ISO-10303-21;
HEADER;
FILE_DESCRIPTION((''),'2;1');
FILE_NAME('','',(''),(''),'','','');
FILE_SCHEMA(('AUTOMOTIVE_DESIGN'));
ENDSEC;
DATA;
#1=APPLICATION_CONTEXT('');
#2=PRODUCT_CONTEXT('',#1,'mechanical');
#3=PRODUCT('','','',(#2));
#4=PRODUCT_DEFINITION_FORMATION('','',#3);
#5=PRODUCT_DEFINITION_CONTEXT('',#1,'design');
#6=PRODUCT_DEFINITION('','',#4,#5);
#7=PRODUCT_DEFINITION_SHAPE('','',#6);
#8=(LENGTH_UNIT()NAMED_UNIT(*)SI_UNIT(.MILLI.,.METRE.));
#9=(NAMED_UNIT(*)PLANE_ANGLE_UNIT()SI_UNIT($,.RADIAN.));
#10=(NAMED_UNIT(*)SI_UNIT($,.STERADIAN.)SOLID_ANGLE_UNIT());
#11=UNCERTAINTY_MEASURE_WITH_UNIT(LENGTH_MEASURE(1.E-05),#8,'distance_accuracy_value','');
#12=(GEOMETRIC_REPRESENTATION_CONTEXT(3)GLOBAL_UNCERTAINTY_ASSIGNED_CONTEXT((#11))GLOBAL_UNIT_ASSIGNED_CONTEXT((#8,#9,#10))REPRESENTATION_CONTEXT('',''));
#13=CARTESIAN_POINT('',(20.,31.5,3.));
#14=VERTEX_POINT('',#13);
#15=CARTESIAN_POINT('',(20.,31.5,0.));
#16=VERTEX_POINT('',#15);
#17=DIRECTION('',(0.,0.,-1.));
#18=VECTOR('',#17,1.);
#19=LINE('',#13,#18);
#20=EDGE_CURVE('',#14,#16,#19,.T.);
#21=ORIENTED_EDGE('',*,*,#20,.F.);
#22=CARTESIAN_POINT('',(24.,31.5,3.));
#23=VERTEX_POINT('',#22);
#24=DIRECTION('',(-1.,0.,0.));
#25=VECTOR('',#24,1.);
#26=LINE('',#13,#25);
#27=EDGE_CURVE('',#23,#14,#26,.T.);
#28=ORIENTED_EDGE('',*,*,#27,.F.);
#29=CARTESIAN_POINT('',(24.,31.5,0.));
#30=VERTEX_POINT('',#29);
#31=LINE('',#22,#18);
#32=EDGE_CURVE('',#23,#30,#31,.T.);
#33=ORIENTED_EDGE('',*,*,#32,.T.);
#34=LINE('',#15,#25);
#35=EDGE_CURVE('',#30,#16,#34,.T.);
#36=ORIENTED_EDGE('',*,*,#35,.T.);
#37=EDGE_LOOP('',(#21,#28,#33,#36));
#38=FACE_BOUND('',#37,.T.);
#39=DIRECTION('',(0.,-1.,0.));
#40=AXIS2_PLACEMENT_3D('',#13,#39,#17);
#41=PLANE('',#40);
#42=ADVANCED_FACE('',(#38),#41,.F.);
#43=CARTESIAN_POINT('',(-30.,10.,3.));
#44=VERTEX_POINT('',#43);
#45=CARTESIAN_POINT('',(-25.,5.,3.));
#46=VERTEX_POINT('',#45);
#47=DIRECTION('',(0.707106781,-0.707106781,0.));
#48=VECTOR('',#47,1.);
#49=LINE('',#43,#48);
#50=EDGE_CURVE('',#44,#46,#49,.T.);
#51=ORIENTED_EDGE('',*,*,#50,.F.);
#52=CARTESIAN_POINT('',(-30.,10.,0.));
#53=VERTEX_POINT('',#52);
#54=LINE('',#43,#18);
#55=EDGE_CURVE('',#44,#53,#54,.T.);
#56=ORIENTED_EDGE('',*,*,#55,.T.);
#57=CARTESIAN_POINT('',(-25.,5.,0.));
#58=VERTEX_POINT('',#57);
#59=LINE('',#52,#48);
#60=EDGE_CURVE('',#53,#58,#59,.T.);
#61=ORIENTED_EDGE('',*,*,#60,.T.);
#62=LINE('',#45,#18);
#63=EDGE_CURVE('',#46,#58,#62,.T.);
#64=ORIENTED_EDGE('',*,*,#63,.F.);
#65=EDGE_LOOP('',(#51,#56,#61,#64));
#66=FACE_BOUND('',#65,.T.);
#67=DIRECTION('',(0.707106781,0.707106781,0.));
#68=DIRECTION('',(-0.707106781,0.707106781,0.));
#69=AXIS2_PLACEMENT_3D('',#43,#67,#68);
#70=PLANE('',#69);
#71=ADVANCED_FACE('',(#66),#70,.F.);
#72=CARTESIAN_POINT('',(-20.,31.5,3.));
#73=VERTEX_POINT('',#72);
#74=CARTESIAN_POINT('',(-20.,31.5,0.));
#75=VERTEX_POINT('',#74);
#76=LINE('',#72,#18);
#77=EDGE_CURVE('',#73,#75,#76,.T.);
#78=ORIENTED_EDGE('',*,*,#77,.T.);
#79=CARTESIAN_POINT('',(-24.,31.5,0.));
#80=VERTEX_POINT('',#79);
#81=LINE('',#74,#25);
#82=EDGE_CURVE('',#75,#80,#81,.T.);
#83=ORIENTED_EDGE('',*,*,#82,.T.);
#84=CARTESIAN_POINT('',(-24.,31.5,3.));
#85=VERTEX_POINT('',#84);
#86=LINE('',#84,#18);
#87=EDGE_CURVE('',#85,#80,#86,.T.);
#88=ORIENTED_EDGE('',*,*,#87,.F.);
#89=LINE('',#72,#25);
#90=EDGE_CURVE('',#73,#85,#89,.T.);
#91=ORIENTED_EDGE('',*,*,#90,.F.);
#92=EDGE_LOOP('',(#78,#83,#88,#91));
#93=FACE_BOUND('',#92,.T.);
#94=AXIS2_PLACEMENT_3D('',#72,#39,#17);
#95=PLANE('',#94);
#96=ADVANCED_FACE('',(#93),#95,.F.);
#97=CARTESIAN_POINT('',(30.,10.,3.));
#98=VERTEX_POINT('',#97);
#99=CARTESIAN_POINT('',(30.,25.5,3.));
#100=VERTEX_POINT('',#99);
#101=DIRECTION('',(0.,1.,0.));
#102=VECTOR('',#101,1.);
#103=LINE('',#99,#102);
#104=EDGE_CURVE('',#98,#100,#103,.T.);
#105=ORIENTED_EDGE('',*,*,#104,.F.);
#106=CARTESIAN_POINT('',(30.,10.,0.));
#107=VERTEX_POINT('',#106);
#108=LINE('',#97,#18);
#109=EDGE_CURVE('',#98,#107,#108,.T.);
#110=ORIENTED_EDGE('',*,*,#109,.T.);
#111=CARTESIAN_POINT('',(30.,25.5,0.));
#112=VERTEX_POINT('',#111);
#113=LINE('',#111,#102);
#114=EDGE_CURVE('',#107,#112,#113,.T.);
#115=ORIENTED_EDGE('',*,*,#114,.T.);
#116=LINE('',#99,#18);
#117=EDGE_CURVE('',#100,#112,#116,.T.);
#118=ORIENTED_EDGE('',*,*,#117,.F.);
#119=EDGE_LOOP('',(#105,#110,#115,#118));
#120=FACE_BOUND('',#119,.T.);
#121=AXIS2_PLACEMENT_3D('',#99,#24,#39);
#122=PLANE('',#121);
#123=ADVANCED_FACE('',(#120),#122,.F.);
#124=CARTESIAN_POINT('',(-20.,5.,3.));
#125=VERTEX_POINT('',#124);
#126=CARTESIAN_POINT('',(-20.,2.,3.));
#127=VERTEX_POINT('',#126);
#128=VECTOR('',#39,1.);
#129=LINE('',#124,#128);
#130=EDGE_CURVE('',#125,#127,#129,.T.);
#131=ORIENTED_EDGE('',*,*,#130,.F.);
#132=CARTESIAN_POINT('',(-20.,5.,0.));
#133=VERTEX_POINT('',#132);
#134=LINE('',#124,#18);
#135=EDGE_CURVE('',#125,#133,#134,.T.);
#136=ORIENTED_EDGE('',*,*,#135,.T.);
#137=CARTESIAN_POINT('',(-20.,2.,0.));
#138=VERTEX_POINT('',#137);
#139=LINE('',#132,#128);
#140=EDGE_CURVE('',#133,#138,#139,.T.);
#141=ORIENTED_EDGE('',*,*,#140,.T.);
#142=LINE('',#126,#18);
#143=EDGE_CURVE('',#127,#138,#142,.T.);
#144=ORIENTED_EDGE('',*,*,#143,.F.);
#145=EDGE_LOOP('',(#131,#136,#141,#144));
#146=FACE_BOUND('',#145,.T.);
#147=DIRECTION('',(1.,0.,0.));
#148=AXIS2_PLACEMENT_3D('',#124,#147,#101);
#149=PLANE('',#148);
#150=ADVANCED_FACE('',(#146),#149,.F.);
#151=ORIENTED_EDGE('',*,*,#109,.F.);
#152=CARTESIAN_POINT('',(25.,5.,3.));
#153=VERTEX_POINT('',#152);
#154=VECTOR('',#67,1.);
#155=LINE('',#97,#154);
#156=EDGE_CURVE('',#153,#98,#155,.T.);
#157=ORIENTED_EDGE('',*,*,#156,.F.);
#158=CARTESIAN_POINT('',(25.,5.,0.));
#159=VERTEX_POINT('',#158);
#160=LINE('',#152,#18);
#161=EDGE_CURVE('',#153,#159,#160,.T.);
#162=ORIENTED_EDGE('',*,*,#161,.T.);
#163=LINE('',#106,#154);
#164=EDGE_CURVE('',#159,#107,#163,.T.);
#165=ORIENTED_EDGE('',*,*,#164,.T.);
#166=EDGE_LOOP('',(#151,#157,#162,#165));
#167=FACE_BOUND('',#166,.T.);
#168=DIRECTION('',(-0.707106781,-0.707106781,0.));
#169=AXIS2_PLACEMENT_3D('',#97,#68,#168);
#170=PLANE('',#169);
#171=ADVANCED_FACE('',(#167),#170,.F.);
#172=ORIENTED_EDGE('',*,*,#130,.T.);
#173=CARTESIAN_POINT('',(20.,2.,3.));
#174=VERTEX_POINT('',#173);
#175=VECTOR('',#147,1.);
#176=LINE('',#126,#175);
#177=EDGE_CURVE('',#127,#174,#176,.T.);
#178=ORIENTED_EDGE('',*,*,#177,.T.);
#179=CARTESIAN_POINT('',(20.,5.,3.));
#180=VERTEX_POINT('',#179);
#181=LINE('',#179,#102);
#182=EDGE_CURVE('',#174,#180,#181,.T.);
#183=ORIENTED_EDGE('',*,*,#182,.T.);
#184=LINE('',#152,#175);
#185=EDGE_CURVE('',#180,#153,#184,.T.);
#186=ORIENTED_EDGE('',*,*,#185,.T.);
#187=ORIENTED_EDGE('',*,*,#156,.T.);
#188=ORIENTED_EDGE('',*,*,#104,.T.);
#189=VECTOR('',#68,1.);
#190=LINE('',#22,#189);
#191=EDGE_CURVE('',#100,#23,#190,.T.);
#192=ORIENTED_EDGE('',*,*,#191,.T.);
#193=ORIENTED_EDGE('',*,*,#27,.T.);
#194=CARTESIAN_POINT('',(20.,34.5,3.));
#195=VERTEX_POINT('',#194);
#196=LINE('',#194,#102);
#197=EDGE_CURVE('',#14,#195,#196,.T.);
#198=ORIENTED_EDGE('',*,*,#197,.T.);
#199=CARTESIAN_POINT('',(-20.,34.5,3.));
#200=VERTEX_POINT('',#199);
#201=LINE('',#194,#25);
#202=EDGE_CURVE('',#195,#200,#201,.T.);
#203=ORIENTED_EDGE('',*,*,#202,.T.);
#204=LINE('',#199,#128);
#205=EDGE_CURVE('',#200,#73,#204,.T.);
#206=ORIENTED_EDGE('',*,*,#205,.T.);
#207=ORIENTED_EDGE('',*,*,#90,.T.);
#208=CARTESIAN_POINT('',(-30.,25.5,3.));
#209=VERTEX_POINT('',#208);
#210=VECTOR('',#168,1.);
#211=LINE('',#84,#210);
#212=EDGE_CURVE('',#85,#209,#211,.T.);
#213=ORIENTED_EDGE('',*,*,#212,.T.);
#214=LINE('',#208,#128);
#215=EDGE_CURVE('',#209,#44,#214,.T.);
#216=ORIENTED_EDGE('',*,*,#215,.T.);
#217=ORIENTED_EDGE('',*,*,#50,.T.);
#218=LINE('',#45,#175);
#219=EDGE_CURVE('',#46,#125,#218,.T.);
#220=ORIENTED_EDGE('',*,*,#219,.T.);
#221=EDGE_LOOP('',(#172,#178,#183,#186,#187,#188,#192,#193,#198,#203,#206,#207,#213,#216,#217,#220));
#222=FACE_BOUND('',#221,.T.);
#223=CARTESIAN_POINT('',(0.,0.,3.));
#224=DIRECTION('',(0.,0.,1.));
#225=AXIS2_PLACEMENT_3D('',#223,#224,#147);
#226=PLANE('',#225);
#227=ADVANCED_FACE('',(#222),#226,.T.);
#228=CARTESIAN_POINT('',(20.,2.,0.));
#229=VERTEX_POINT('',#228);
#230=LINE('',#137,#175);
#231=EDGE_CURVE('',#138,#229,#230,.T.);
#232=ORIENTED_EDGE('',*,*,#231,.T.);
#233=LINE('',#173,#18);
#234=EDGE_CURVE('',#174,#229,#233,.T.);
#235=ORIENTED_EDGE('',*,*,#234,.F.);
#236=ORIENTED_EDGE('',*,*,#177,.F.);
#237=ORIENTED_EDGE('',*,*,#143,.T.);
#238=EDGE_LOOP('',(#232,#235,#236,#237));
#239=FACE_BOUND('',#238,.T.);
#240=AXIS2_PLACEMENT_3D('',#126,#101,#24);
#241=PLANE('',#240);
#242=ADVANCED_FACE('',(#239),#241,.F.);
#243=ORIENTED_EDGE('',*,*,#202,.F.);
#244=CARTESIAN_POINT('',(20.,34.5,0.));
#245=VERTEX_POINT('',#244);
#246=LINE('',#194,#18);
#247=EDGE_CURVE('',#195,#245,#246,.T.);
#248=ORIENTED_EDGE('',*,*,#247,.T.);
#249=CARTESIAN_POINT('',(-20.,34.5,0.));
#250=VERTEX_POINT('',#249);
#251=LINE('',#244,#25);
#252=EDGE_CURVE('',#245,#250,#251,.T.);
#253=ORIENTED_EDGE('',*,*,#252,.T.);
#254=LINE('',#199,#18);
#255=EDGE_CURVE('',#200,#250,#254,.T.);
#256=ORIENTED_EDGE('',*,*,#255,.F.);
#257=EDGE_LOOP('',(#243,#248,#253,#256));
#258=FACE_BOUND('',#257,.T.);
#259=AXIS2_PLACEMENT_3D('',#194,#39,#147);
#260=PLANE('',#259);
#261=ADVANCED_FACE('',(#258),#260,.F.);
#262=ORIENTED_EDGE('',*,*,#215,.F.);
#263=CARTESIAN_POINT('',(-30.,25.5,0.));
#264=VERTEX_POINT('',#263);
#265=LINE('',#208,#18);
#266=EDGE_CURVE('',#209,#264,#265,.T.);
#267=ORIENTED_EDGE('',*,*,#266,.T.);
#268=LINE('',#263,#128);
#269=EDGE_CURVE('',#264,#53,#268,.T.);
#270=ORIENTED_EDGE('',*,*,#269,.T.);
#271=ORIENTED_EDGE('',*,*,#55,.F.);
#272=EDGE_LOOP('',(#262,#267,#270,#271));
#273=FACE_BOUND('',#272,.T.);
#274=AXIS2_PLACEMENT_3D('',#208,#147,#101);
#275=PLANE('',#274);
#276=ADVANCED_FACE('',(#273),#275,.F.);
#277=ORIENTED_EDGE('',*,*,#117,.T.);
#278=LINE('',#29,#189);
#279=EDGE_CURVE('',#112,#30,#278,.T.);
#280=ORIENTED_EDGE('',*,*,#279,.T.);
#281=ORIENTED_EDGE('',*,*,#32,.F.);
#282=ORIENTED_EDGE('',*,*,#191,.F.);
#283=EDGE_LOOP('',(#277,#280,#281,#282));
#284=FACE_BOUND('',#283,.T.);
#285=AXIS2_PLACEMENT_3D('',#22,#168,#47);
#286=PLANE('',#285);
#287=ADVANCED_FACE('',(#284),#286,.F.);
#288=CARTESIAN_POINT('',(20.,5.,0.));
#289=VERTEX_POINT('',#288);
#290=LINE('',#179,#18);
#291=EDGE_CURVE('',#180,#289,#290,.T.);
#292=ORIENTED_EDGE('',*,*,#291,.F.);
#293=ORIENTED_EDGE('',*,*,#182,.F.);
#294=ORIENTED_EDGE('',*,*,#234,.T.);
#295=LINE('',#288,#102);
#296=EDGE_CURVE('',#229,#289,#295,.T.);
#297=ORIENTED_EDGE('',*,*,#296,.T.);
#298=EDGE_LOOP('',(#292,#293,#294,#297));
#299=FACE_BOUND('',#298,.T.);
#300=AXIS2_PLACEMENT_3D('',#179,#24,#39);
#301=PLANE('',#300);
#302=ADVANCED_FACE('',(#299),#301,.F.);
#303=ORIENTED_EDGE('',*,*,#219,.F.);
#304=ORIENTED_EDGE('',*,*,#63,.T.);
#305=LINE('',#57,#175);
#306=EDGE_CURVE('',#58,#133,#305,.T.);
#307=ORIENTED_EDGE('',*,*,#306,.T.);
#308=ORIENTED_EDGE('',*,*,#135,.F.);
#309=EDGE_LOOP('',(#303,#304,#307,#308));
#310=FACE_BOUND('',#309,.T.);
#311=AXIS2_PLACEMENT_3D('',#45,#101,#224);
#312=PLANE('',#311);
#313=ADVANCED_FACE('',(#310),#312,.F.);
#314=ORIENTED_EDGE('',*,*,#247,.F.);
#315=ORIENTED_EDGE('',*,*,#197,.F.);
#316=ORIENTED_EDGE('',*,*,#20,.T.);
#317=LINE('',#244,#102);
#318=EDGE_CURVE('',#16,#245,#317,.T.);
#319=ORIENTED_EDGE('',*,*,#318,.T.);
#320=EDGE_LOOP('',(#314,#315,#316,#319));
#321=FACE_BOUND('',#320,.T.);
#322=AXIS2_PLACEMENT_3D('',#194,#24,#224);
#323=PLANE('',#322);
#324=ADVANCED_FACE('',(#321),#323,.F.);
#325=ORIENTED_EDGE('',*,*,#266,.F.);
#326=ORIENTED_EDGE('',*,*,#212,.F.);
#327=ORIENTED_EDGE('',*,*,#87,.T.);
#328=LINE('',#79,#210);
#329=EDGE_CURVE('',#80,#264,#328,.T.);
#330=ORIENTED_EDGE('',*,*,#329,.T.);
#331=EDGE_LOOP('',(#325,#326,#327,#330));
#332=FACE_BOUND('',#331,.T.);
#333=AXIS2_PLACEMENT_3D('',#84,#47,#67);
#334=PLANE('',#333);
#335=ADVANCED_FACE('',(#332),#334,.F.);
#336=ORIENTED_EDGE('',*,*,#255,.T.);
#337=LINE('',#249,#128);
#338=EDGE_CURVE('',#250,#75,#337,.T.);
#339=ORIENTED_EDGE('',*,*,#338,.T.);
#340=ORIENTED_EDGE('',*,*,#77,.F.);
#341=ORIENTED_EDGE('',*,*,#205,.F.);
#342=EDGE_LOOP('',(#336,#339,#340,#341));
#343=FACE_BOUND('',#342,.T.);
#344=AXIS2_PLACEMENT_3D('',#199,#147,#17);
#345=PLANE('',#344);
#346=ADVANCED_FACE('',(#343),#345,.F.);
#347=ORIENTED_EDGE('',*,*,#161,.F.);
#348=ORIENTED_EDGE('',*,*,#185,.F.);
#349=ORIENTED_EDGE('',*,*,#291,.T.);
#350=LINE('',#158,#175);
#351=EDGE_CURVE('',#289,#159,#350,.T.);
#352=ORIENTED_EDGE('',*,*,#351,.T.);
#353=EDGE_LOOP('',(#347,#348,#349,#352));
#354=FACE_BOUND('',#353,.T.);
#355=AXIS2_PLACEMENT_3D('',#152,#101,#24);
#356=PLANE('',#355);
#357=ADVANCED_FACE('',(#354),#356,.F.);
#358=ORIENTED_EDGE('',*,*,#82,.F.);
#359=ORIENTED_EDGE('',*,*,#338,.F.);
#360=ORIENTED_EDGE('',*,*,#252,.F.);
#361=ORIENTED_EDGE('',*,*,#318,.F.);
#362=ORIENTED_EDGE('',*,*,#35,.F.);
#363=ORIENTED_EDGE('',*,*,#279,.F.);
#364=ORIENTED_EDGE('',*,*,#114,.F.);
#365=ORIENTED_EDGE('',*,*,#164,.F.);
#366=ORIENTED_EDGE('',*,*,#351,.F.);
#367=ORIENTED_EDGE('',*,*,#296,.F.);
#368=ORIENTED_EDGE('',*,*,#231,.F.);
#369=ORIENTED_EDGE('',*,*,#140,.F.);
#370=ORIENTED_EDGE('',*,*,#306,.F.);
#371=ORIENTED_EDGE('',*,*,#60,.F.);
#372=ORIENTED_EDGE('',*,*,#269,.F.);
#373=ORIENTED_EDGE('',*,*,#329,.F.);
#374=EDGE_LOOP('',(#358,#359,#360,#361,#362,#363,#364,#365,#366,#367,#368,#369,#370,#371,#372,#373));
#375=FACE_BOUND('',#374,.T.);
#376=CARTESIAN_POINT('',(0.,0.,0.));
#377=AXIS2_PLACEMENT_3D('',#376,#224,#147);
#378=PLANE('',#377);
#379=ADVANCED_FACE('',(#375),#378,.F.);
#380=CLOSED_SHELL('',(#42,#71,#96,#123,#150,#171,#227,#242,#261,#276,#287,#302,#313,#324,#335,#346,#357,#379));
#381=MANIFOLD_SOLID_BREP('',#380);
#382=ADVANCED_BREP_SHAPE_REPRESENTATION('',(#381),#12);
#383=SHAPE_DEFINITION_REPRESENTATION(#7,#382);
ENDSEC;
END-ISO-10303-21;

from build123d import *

# Parameters (mm, degrees)
BOSS_EXTRUDE2_DEPTH = 3


with BuildPart() as part:
    # Sketch1 → Boss-Extrude2 (new body)
    with BuildSketch(Plane.XY):
        Polygon((20, 34.5), (-20, 34.5), (-20, 31.5), (-24, 31.5), (-30, 25.5), (-30, 10), (-25, 5), (-20, 5), (-20, 2), (20, 2), (20, 5), (25, 5), (30, 10), (30, 25.5), (24, 31.5), (20, 31.5), align=None)
    extrude(amount=BOSS_EXTRUDE2_DEPTH)


solid = part.part
